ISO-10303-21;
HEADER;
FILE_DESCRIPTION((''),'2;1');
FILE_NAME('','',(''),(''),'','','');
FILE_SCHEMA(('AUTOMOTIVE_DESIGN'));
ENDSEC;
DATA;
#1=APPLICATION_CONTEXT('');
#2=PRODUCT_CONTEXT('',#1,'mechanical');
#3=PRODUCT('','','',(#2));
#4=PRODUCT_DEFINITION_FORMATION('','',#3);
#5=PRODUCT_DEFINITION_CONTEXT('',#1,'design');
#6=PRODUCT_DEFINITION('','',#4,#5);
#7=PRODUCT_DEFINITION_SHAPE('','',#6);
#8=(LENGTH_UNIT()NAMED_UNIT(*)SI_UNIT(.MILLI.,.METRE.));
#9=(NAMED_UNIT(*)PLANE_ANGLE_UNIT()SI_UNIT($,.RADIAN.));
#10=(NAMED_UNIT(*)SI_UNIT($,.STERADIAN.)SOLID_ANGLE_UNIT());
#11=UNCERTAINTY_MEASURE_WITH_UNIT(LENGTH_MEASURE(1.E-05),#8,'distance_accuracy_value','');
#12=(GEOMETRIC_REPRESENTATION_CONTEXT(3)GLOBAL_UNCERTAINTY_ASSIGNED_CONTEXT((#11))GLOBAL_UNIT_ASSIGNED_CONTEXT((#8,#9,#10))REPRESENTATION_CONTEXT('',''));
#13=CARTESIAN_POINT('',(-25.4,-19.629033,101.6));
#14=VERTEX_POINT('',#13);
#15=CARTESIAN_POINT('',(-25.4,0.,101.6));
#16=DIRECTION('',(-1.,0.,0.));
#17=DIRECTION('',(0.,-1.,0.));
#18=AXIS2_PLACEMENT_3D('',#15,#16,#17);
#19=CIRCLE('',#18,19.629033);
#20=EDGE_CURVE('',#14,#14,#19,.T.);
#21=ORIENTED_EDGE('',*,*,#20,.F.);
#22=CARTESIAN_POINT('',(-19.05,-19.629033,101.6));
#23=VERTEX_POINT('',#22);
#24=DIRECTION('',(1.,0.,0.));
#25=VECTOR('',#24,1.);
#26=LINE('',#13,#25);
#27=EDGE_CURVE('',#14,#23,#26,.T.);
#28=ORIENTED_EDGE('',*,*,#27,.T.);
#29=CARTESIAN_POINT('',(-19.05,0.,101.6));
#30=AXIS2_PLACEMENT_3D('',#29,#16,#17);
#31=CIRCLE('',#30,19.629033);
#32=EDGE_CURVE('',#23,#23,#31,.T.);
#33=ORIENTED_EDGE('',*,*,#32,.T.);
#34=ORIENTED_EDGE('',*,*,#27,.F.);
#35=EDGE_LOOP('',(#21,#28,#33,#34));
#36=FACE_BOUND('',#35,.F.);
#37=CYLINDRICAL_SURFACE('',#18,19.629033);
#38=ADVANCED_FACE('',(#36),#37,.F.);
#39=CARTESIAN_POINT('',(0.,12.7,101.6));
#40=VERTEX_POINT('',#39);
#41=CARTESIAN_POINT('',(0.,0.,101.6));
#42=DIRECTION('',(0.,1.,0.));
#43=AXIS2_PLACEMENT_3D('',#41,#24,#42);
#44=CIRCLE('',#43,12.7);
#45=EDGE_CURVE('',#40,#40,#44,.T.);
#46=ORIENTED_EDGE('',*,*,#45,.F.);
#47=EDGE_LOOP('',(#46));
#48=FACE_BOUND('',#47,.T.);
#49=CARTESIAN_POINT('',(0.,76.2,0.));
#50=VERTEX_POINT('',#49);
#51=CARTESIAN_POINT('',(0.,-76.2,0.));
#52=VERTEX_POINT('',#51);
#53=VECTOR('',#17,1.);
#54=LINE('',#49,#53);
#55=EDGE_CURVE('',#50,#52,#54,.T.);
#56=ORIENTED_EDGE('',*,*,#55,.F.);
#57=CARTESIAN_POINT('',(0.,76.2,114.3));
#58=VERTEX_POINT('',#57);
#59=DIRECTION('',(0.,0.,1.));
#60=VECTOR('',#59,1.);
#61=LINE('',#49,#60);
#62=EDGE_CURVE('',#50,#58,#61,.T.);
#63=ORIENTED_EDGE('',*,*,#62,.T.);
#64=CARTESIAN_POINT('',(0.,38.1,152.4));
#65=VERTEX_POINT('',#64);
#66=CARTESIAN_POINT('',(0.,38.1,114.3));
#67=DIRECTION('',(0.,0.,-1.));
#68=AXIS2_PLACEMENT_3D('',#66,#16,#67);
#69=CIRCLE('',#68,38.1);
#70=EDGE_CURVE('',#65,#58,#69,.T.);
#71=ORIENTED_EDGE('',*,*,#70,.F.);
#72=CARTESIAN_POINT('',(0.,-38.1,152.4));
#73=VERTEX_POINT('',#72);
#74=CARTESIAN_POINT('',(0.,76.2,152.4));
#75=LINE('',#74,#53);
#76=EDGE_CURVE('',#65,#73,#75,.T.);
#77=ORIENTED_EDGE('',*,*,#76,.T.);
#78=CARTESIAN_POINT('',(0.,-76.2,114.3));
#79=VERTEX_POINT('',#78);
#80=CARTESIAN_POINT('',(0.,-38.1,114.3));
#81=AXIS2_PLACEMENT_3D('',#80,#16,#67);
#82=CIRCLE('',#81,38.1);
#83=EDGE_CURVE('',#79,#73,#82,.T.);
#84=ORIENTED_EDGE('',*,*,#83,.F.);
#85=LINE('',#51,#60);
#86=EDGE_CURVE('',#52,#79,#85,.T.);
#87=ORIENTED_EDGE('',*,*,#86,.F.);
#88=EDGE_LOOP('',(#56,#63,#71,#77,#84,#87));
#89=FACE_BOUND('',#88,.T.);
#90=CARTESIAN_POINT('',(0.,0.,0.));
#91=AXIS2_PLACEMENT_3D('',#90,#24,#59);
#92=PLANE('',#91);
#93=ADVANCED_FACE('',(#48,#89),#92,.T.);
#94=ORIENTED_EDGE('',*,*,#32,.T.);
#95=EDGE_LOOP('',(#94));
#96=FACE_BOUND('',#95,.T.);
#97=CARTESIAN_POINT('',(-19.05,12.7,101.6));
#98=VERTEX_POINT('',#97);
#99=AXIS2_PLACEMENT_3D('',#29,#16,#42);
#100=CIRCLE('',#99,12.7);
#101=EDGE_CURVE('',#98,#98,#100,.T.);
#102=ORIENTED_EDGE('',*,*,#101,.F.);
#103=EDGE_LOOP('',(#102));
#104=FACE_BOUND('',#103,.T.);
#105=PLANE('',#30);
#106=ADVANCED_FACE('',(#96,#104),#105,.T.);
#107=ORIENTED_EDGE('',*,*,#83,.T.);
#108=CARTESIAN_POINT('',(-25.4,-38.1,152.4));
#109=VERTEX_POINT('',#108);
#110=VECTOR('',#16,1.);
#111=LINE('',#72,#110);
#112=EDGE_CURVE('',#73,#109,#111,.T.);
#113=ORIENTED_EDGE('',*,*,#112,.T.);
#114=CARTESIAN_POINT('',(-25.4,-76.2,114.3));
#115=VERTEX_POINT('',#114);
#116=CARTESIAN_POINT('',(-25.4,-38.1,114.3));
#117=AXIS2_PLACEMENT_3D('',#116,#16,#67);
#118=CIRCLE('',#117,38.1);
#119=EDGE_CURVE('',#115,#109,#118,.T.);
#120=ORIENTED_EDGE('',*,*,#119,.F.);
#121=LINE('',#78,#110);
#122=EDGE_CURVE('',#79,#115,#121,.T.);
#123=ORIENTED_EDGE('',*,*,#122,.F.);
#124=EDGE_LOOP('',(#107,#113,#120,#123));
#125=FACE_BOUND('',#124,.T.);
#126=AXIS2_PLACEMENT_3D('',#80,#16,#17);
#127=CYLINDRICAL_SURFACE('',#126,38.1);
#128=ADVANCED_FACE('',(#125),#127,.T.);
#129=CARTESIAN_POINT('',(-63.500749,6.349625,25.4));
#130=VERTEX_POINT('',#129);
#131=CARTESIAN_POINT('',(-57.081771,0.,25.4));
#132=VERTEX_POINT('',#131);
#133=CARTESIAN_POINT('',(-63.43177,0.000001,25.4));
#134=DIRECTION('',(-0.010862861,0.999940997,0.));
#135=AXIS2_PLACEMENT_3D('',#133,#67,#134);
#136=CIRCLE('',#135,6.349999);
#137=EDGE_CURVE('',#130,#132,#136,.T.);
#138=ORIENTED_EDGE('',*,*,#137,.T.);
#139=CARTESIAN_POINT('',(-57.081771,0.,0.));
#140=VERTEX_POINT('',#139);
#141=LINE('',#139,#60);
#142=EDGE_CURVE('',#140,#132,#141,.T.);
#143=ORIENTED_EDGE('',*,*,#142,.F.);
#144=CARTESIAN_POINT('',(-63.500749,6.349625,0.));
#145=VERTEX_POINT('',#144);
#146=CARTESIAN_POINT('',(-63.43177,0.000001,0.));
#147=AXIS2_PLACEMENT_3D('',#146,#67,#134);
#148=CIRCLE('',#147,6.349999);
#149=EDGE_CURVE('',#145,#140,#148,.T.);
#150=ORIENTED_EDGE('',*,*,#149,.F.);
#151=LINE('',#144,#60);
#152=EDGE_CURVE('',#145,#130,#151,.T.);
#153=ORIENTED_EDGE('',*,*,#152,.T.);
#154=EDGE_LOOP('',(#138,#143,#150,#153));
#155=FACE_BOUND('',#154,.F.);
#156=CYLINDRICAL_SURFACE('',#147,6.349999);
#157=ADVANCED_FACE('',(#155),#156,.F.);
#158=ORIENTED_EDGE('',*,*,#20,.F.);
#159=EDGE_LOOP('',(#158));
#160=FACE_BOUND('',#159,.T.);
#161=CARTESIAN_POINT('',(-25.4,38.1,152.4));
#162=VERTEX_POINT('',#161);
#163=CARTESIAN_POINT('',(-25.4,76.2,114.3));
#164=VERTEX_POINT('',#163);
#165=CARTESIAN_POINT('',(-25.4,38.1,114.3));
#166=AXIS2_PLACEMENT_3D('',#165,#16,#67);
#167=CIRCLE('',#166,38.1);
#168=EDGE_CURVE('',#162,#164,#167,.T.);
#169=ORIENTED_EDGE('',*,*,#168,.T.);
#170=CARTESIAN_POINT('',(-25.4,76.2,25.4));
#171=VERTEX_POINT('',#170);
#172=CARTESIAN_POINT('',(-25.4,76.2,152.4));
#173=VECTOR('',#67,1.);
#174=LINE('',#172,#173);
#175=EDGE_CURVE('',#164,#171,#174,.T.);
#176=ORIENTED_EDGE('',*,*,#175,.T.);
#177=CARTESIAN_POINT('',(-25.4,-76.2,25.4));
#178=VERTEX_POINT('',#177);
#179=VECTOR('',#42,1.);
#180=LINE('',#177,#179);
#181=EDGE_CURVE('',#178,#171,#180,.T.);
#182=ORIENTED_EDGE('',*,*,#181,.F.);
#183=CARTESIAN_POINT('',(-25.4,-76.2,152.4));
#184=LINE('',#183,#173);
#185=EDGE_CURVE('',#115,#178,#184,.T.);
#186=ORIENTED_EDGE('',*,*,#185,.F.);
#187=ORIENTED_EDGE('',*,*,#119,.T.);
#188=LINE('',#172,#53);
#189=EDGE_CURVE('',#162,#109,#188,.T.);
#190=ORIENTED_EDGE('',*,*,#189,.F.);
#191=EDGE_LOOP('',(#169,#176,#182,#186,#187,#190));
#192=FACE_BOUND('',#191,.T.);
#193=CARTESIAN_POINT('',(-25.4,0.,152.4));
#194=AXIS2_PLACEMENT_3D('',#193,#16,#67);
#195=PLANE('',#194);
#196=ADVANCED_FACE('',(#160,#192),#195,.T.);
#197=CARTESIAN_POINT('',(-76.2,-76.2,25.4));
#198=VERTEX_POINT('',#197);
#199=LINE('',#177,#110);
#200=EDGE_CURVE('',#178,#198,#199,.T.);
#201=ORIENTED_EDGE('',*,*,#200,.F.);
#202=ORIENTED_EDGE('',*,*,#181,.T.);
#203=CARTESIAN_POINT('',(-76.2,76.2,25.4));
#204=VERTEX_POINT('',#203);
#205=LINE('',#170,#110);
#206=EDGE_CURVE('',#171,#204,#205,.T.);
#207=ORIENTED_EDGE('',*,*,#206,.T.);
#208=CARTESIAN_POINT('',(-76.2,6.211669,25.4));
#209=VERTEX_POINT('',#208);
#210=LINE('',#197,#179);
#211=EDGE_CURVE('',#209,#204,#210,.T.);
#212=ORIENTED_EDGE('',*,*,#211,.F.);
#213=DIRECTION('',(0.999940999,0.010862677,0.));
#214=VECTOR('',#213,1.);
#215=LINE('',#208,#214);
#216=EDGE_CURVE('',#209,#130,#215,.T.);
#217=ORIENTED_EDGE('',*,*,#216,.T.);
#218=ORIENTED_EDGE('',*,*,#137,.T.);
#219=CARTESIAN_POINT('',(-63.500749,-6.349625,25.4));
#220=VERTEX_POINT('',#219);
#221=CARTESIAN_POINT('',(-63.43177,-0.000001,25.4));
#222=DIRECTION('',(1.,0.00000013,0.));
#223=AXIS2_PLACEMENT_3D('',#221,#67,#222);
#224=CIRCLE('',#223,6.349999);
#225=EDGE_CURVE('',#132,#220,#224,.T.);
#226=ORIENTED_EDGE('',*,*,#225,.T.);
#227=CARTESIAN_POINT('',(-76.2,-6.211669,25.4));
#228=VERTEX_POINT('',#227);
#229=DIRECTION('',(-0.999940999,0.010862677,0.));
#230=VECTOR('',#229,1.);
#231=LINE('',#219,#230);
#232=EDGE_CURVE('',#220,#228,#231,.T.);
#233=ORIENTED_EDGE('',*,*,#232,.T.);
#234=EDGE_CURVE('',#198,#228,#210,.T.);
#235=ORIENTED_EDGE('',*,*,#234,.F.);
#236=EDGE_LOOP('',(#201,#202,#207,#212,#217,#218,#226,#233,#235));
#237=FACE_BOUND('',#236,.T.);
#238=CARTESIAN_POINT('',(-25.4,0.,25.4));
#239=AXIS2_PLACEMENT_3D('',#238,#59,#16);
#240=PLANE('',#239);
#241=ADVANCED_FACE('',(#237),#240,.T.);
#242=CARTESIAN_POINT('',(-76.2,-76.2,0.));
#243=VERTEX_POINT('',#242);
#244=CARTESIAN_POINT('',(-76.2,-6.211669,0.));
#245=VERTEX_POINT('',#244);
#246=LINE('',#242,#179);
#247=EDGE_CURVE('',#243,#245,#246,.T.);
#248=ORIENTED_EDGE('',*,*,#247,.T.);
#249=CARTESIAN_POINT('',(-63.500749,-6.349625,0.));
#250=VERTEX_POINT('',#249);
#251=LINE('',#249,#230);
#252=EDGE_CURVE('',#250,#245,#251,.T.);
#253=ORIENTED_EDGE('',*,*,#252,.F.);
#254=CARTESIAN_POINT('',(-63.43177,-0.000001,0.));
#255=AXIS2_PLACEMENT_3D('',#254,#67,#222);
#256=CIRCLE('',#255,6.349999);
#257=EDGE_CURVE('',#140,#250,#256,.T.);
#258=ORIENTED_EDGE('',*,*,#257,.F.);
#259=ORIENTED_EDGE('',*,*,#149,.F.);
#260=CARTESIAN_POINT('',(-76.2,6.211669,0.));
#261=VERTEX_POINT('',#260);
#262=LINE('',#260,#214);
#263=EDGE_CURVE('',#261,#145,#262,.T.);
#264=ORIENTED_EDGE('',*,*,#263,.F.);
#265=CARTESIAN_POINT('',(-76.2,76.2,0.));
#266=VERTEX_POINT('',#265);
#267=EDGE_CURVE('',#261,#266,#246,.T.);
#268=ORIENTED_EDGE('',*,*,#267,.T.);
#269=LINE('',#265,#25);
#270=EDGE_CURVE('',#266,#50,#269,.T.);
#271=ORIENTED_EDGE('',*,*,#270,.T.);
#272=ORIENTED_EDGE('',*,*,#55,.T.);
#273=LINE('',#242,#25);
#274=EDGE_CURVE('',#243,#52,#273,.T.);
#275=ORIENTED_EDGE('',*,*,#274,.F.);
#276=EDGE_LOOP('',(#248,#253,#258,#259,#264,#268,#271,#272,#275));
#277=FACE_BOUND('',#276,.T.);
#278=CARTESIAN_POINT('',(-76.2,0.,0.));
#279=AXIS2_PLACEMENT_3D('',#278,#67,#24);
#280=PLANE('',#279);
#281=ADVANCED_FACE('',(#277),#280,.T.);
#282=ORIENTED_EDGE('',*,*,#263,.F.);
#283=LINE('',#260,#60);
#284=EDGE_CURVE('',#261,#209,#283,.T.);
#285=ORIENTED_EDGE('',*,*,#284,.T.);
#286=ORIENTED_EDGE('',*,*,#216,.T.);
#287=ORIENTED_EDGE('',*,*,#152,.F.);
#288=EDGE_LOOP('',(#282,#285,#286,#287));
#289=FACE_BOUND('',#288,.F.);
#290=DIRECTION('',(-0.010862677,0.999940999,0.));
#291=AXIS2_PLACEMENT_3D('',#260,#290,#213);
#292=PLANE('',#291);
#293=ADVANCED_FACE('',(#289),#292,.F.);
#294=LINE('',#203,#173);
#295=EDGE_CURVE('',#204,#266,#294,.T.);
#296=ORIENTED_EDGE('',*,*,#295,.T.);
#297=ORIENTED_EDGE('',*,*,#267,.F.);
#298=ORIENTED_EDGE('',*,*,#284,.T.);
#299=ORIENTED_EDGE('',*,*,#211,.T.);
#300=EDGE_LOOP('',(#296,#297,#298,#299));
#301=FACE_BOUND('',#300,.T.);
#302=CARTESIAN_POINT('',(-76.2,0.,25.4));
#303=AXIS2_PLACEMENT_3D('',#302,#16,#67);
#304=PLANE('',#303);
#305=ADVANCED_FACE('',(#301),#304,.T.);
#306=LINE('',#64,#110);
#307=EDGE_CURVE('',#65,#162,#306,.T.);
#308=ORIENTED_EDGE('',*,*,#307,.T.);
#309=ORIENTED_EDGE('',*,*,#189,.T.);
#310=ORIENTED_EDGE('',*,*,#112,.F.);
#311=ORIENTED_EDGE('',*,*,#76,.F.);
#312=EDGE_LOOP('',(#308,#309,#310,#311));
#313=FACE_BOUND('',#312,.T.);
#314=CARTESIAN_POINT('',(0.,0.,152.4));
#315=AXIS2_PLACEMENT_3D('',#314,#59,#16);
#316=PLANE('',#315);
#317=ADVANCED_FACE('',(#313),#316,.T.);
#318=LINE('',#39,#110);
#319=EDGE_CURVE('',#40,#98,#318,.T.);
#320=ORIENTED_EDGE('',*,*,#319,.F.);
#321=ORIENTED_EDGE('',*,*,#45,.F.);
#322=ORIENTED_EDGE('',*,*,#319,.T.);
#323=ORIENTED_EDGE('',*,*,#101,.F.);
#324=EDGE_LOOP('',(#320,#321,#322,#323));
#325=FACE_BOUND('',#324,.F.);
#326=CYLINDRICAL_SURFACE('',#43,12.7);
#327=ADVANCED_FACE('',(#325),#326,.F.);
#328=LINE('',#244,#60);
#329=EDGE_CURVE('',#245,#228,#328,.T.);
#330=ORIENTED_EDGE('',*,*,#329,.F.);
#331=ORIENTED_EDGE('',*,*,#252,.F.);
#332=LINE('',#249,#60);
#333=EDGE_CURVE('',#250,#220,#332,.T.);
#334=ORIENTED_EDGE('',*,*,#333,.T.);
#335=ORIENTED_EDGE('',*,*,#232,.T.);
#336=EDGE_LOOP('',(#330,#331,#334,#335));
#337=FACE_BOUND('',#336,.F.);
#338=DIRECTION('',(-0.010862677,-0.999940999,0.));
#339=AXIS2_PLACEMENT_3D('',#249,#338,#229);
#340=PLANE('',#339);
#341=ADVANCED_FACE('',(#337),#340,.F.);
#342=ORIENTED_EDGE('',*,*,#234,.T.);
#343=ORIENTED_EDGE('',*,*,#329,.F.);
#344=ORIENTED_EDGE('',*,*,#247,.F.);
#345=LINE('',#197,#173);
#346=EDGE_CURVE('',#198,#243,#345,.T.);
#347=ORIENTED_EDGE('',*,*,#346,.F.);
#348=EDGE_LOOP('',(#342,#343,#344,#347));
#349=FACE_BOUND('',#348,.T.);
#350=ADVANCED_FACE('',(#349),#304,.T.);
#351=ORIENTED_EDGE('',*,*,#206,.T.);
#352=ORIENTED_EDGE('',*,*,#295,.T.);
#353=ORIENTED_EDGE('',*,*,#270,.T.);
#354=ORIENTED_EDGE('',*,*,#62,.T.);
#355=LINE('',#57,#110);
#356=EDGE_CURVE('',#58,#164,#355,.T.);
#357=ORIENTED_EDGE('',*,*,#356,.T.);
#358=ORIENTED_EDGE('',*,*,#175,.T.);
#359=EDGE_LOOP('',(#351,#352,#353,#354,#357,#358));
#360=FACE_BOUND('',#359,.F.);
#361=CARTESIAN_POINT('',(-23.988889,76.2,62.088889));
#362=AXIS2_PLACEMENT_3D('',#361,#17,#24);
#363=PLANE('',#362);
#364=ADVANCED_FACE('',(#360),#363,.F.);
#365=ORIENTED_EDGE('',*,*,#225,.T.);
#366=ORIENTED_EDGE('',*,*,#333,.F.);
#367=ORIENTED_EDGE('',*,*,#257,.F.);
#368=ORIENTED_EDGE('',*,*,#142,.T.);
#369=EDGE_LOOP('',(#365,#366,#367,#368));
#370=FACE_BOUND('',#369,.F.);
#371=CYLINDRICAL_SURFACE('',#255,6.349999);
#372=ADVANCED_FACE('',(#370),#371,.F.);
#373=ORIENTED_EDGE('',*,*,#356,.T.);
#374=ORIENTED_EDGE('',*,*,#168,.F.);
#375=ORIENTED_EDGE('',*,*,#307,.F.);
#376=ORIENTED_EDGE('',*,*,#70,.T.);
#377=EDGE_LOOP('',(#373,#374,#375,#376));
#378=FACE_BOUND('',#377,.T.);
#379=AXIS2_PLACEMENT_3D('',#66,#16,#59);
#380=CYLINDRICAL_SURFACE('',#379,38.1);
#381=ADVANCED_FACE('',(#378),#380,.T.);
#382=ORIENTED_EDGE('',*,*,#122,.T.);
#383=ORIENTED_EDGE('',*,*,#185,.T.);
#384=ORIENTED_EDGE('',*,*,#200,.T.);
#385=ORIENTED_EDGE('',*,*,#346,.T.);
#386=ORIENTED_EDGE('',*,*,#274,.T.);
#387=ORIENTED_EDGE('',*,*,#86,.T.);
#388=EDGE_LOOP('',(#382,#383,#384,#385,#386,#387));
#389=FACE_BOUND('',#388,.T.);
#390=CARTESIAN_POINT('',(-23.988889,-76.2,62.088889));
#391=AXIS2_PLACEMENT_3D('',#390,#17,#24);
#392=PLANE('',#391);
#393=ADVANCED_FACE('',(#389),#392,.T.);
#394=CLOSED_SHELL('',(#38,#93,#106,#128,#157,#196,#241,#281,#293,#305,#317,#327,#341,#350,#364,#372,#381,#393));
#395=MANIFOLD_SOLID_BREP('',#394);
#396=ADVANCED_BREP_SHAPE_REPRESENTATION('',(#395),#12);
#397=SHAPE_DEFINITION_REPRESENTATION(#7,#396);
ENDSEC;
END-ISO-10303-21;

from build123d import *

# Parameters (mm, degrees)
F1_DEPTH = 76.2
F2_R     = 12.7
F3_DEPTH = 25.4
F5_DEPTH = 25.4
F6_R     = 38.1
F7_R     = 38.1
F8_R     = 19.629033
F8_R_2   = 12.7
F9_DEPTH = 6.35


with BuildPart() as f1:
    # F0 (on Front) → F1 (new body, symmetric)
    with BuildSketch(Plane.XZ):
        Polygon((-76.2, 0), (0, 0), (0, 152.4), (-25.4, 152.4), (-25.4, 25.4), (-76.2, 25.4), align=None)
    extrude(amount=F1_DEPTH, both=True)

    # F2 (on face) → F3 (cut)
    with BuildSketch(Plane.YZ):
        with Locations((0, 101.6)):
            Circle(F2_R)
    extrude(amount=-F3_DEPTH, mode=Mode.SUBTRACT)

    # F4 (on face) → F5 (cut)
    with BuildSketch(Plane(origin=(0, 0, 0), x_dir=(1, 0, 0), z_dir=(0, 0, -1))):
        with BuildLine():
            ThreePointArc((-63.500749, -6.349625), (-69.781771, 0), (-63.500749, 6.349625))
            Line((-63.500749, 6.349625), (-76.2, 6.211669))
            Line((-76.2, 6.211669), (-76.2, -6.211669))
            Line((-76.2, -6.211669), (-63.500749, -6.349625))
        make_face()
        with BuildLine():
            ThreePointArc((-63.500749, -6.349625), (-58.966097, -4.51445), (-57.081771, 0))
            ThreePointArc((-57.081771, 0), (-58.966097, 4.51445), (-63.500749, 6.349625))
            ThreePointArc((-63.500749, 6.349625), (-69.781771, 0), (-63.500749, -6.349625))
        make_face()
    extrude(amount=-F5_DEPTH, mode=Mode.SUBTRACT)

    # F6
    f6_edges = [f1.edges().sort_by_distance(p)[0] for p in [
        (-12.7, -76.2, 152.4),
    ]]
    fillet(f6_edges, radius=F6_R)

    # F7
    f7_edges = [f1.edges().sort_by_distance(p)[0] for p in [
        (-12.7, 76.2, 152.4),
    ]]
    fillet(f7_edges, radius=F7_R)

    # F8 (on face) → F9 (cut)
    with BuildSketch(Plane(origin=(-25.4, 0, 0), x_dir=(0, -1, 0), z_dir=(-1, 0, 0))):
        with Locations((0, 101.6)):
            Circle(F8_R)
        with Locations((0, 101.6)):
            Circle(F8_R_2, mode=Mode.SUBTRACT)
    extrude(amount=-F9_DEPTH, mode=Mode.SUBTRACT)


solid = f1.part
